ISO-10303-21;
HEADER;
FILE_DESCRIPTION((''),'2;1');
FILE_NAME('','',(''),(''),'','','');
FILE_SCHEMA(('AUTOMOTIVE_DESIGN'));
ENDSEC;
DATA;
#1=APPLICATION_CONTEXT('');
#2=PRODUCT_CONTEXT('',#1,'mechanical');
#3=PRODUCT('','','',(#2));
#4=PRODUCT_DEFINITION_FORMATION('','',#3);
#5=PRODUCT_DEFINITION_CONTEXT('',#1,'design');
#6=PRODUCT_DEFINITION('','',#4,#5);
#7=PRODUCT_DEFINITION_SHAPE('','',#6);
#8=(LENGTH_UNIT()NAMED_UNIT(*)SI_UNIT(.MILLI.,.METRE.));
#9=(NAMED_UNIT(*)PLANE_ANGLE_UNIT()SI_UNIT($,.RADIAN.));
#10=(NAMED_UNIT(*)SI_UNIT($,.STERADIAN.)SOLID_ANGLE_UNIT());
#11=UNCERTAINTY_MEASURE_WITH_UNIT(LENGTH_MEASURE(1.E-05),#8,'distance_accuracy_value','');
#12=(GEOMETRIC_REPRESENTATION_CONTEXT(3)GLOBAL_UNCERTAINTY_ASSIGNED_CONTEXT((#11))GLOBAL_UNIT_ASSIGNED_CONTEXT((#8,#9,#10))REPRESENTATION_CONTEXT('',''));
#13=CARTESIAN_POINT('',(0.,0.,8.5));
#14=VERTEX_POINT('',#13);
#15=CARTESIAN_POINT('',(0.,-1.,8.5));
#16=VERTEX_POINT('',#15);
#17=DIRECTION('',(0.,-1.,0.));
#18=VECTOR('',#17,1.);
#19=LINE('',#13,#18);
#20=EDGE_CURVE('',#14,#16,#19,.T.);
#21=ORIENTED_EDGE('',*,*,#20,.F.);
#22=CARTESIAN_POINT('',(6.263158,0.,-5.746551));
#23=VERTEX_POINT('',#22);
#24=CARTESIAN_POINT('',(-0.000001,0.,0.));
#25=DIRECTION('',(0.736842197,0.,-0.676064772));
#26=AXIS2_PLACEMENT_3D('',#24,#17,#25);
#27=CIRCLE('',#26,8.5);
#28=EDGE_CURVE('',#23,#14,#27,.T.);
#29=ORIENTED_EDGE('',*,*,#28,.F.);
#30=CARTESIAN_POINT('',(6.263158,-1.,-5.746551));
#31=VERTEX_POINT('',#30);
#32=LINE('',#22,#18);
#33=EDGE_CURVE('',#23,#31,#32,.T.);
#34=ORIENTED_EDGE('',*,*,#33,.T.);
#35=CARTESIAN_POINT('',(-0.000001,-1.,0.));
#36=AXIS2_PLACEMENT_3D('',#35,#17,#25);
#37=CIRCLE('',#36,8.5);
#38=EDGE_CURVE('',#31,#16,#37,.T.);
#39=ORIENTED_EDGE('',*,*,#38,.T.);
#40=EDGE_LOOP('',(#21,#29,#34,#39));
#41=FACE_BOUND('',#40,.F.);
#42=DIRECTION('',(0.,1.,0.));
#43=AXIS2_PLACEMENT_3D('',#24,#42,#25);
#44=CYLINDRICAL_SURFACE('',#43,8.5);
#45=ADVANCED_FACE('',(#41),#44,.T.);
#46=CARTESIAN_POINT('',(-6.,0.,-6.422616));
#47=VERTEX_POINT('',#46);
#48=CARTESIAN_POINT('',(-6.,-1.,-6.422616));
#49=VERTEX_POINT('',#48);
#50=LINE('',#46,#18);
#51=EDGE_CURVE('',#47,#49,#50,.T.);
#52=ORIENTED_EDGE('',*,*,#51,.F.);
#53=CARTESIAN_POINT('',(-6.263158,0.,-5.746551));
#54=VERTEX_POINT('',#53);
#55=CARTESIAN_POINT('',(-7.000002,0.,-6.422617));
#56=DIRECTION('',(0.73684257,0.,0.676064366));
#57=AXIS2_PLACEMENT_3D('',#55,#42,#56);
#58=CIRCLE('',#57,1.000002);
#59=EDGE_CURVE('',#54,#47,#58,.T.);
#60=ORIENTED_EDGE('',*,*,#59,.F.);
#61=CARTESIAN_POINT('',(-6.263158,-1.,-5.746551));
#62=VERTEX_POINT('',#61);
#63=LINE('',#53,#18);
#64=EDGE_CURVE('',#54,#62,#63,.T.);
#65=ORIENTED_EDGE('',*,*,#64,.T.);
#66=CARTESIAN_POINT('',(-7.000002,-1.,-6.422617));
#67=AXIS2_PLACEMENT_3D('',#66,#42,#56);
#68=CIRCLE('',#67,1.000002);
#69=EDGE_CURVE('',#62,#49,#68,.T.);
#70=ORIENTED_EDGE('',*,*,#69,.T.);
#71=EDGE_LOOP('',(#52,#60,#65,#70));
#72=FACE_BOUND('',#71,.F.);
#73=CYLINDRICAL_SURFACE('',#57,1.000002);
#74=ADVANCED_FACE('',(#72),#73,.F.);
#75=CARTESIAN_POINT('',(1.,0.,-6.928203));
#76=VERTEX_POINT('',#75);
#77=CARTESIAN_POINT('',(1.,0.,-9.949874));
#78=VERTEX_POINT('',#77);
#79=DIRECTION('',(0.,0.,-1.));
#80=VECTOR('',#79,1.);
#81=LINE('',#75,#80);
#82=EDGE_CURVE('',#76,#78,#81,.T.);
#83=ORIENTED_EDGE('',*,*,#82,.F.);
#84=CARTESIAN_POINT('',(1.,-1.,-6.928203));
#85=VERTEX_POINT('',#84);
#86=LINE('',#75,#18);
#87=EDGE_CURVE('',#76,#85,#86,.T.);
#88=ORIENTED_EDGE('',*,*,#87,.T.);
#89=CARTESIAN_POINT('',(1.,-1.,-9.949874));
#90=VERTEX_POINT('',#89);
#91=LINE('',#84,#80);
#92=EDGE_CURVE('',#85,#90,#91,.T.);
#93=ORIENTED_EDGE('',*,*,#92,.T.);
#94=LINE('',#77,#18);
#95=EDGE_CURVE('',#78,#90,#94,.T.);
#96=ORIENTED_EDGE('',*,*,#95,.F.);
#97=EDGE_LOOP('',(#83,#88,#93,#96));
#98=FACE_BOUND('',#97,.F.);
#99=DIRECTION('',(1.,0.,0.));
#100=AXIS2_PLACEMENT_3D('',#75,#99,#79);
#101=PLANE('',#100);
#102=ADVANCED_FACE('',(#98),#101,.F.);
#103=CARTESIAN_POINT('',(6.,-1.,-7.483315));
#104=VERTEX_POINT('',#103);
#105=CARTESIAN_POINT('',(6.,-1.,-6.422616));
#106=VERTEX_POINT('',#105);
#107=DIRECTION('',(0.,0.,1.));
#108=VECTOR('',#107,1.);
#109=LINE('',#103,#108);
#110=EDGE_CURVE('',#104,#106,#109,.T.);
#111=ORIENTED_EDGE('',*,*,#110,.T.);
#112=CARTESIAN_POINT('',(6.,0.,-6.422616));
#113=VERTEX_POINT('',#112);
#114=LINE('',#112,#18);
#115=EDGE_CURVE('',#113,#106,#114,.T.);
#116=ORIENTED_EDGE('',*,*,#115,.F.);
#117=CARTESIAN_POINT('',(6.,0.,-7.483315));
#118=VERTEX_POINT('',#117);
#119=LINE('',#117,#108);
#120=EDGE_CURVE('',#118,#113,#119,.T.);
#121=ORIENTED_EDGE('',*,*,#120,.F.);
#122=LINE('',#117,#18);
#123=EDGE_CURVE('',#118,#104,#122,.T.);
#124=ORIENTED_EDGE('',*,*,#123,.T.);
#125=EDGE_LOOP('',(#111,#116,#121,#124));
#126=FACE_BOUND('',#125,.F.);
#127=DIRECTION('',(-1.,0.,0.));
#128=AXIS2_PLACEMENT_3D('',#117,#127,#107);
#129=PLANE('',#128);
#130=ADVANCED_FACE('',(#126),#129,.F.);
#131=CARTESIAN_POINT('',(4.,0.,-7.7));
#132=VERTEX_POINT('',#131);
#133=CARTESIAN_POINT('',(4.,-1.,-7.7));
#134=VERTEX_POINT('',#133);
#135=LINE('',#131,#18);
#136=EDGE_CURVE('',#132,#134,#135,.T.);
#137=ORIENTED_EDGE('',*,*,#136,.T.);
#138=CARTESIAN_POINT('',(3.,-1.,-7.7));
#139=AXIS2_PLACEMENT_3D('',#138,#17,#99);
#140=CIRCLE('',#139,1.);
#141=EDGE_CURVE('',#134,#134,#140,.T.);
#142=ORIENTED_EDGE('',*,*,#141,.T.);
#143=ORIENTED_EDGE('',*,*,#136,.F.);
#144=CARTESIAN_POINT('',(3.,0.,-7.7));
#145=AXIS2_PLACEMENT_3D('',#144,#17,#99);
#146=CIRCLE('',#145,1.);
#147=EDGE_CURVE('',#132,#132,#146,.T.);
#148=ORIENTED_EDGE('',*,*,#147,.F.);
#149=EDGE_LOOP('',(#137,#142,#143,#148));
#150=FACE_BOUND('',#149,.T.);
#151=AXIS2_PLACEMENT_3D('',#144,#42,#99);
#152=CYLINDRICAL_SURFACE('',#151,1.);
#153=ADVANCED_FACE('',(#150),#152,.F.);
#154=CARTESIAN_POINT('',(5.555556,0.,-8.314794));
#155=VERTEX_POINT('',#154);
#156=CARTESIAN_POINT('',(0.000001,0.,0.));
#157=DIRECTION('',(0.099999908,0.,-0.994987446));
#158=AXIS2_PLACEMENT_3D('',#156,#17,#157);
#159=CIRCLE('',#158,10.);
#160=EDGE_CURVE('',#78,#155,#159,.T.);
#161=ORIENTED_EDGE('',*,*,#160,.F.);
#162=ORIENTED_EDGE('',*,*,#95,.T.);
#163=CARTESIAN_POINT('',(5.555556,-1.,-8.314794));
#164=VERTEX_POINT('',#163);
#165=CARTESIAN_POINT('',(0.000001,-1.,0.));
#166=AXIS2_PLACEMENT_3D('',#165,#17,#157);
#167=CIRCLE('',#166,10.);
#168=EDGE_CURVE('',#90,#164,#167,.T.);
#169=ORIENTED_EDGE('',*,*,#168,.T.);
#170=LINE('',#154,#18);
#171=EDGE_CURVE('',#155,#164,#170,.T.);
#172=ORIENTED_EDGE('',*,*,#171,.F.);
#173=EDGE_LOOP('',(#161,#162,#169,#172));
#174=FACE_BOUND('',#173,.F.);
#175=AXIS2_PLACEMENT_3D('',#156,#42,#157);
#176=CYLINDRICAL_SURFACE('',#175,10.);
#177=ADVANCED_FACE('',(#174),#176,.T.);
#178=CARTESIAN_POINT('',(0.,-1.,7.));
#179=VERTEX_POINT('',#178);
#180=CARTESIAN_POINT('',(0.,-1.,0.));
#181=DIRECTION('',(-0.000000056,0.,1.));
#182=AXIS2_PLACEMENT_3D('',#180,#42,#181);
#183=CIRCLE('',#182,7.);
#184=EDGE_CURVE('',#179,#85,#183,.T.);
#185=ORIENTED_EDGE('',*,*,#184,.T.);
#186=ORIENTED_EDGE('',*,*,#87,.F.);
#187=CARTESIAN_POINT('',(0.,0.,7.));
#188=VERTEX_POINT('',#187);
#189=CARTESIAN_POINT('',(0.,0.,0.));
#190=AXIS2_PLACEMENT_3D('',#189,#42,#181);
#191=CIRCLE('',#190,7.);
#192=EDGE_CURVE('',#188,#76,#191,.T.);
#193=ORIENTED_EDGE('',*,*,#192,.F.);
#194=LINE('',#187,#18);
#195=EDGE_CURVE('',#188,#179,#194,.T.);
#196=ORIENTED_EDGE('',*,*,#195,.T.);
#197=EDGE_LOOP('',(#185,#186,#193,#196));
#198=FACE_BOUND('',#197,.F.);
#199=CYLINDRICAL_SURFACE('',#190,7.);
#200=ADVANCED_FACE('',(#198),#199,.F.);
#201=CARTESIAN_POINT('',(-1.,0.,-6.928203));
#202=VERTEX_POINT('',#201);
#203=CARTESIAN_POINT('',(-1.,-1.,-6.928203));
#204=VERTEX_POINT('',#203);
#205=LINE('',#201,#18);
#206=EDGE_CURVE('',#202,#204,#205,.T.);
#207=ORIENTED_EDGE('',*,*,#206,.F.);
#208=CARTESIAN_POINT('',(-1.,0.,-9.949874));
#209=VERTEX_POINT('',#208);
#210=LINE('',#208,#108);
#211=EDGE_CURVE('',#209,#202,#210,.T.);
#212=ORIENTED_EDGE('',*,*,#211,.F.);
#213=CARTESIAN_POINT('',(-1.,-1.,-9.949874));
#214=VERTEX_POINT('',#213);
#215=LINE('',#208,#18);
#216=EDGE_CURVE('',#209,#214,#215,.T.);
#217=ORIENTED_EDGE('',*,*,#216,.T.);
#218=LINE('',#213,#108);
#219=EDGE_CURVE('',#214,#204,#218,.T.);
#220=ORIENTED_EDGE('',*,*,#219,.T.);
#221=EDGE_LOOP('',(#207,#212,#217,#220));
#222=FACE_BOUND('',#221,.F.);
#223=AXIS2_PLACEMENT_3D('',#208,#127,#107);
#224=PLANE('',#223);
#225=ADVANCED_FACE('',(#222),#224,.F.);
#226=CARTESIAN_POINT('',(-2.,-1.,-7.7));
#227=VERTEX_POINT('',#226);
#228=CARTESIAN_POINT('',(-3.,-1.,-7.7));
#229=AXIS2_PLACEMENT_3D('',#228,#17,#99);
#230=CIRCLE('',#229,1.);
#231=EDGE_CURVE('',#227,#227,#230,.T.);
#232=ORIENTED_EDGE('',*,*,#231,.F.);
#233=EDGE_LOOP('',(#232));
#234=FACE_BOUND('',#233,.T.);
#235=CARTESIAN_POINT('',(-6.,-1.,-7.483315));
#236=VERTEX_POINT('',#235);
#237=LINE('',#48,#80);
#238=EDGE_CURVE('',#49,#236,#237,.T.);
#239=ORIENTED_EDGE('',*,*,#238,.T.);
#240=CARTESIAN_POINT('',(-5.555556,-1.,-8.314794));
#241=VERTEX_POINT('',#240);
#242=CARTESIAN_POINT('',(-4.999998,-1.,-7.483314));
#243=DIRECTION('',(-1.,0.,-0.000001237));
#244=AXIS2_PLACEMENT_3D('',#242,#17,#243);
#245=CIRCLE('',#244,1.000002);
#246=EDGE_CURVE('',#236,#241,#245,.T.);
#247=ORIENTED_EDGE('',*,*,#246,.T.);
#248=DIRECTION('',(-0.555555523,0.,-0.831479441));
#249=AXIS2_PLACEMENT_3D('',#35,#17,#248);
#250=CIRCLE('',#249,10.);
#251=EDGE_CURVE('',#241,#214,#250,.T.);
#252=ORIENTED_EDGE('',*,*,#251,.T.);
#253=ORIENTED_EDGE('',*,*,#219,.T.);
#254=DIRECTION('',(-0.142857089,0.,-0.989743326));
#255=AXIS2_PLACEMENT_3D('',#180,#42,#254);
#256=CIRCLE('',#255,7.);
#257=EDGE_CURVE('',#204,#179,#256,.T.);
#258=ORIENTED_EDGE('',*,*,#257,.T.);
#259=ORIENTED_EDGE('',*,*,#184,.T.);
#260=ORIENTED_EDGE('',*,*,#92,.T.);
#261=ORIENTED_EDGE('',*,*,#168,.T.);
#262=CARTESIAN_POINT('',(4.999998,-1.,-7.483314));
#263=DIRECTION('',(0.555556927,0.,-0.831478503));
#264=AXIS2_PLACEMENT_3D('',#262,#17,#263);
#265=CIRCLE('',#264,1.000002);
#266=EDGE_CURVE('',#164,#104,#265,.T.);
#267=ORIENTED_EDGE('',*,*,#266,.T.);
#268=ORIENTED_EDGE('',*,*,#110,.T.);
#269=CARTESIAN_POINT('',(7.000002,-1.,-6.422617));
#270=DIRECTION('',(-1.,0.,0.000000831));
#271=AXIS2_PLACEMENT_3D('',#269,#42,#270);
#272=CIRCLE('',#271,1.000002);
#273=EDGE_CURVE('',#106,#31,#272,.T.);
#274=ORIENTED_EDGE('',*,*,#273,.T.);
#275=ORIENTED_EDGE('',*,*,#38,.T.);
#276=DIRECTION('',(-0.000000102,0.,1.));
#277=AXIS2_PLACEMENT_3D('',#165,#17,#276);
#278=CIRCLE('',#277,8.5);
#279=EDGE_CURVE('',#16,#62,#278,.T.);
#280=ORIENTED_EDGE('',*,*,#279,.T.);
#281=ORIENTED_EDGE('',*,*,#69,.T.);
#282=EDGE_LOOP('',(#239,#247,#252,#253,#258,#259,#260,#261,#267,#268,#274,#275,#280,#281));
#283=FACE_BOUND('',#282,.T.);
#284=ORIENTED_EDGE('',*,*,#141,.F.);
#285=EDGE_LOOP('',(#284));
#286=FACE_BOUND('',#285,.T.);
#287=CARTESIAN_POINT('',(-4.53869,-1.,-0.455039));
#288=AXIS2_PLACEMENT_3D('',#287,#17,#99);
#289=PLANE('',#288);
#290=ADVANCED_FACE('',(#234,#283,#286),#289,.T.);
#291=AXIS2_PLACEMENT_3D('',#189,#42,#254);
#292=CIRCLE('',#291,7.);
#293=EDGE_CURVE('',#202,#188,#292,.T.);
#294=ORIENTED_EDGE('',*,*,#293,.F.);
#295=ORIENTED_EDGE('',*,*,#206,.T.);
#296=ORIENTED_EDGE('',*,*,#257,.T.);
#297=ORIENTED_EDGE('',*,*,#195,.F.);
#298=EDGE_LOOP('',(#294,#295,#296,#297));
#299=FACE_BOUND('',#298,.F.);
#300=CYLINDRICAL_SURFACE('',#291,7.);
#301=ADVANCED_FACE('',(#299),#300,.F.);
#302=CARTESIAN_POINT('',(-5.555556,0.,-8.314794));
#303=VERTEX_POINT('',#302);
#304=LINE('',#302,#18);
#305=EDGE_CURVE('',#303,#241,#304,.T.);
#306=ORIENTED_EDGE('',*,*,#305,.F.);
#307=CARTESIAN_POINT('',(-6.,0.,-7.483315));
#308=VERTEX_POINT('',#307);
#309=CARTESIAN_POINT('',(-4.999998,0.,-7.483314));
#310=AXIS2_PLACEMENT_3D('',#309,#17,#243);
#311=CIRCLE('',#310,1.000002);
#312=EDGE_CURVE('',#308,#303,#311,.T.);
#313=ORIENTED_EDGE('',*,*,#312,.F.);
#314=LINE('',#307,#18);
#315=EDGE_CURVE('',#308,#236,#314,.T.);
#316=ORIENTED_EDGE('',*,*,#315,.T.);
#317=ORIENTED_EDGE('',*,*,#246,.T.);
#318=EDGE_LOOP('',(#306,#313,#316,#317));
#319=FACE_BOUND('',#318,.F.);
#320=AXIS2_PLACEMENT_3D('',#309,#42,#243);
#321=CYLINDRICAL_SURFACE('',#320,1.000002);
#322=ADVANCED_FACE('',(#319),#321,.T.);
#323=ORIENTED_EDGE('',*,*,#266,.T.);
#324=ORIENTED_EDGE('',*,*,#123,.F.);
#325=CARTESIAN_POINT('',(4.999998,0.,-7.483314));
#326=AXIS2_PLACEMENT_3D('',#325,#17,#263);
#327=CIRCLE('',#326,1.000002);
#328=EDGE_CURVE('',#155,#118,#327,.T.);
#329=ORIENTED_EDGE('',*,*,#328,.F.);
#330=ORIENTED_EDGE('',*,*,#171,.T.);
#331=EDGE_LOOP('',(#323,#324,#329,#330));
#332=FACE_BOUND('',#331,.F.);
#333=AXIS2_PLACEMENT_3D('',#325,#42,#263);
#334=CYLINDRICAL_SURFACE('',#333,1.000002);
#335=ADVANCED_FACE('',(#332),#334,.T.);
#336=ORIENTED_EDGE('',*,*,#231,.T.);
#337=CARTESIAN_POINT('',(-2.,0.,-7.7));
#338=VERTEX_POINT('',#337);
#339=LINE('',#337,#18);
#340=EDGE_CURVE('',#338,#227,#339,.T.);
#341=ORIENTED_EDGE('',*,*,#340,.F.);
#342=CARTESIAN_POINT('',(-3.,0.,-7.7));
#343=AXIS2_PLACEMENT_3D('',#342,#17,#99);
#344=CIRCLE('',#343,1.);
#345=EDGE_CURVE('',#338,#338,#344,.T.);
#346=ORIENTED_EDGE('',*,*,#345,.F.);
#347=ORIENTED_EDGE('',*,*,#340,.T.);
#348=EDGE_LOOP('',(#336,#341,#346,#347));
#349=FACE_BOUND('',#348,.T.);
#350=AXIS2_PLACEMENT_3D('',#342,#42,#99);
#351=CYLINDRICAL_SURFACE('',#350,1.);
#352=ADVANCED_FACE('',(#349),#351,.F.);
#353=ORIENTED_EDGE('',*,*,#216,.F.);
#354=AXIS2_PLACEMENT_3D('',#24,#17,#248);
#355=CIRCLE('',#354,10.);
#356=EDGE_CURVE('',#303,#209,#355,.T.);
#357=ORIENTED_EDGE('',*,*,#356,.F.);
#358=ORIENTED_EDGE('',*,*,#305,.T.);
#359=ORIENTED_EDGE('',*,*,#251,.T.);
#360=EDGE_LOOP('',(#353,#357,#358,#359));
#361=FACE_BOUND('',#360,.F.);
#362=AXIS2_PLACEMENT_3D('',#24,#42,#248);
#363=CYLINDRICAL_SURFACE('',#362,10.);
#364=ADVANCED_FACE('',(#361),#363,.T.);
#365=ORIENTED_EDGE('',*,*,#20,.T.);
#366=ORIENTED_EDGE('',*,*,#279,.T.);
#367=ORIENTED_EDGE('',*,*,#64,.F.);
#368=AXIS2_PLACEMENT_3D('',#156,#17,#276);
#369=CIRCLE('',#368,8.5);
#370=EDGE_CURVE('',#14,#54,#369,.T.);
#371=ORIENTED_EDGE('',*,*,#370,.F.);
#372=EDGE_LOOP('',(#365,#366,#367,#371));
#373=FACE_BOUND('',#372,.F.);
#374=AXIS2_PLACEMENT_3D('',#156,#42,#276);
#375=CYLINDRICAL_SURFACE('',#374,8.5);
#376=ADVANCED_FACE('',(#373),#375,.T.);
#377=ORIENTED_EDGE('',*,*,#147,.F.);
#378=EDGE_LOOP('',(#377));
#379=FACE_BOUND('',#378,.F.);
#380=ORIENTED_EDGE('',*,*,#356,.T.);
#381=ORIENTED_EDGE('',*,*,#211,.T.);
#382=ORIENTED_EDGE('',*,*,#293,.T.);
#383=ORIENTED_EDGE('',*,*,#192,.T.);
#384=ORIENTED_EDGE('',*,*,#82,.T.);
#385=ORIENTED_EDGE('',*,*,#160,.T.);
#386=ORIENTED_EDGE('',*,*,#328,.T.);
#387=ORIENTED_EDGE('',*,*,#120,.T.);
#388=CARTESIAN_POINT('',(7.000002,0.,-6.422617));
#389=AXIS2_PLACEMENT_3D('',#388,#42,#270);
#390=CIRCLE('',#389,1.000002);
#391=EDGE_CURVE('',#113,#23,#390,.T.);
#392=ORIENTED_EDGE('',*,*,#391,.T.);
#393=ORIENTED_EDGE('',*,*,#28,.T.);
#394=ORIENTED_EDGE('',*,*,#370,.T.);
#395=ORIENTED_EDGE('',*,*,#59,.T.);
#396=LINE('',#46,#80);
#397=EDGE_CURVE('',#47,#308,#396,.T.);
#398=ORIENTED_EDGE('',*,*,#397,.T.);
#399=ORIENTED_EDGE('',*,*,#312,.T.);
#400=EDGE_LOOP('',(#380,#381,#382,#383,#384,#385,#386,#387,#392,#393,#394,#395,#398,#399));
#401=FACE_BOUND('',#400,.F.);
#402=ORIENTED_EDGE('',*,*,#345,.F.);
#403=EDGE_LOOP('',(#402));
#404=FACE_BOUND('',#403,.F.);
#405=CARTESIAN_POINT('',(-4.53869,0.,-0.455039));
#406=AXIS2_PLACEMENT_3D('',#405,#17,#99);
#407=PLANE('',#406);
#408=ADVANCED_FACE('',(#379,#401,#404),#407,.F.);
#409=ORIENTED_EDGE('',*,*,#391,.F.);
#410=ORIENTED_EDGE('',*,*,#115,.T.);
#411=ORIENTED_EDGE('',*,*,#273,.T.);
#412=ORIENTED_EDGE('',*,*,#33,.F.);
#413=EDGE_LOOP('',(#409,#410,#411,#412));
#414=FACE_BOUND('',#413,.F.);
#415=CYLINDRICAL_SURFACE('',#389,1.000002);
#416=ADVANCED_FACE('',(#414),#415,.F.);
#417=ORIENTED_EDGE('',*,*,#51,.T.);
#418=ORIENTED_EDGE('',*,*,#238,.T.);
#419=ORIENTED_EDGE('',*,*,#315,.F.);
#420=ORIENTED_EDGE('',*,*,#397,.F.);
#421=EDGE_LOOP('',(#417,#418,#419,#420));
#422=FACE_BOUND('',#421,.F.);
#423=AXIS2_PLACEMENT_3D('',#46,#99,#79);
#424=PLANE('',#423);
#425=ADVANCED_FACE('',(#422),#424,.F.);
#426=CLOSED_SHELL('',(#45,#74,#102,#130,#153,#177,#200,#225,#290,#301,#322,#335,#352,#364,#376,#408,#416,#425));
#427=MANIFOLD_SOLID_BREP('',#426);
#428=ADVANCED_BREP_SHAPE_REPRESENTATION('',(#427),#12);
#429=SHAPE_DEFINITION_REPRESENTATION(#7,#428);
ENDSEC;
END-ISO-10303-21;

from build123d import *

# Parameters (mm, degrees)
F0_R     = 1
F1_DEPTH = 1


with BuildPart() as f1:
    # F0 (on Front) → F1 (new body)
    with BuildSketch(Plane.XZ):
        with BuildLine():
            ThreePointArc((-1, -6.928203), (-6.982028, 0.501287), (0, 7))
            Line((0, 7), (0, 8.5))
            ThreePointArc((0, 8.5), (-7.781249, 3.420841), (-6.263158, -5.746551))
            ThreePointArc((-6.263158, -5.746551), (-6.068109, -6.059878), (-6, -6.422616))
            Line((-6, -6.422616), (-6, -7.483315))
            ThreePointArc((-6, -7.483315), (-5.881917, -7.954719), (-5.555556, -8.314794))
            ThreePointArc((-5.555556, -8.314794), (-3.378195, -9.412109), (-1, -9.949874))
            Line((-1, -9.949874), (-1, -6.928203))
        make_face()
        with Locations((-3, -7.7)):
            Circle(F0_R, mode=Mode.SUBTRACT)
        with BuildLine():
            ThreePointArc((0, 7), (6.982028, 0.501287), (1, -6.928203))
            Line((1, -6.928203), (1, -9.949874))
            ThreePointArc((1, -9.949874), (3.378195, -9.412109), (5.555556, -8.314794))
            ThreePointArc((5.555556, -8.314794), (5.881917, -7.954719), (6, -7.483315))
            Line((6, -7.483315), (6, -6.422616))
            ThreePointArc((6, -6.422616), (6.068109, -6.059878), (6.263158, -5.746551))
            ThreePointArc((6.263158, -5.746551), (7.781249, 3.420841), (0, 8.5))
            Line((0, 8.5), (0, 7))
        make_face()
        with Locations((3, -7.7)):
            Circle(F0_R, mode=Mode.SUBTRACT)
    extrude(amount=F1_DEPTH)


solid = f1.part
